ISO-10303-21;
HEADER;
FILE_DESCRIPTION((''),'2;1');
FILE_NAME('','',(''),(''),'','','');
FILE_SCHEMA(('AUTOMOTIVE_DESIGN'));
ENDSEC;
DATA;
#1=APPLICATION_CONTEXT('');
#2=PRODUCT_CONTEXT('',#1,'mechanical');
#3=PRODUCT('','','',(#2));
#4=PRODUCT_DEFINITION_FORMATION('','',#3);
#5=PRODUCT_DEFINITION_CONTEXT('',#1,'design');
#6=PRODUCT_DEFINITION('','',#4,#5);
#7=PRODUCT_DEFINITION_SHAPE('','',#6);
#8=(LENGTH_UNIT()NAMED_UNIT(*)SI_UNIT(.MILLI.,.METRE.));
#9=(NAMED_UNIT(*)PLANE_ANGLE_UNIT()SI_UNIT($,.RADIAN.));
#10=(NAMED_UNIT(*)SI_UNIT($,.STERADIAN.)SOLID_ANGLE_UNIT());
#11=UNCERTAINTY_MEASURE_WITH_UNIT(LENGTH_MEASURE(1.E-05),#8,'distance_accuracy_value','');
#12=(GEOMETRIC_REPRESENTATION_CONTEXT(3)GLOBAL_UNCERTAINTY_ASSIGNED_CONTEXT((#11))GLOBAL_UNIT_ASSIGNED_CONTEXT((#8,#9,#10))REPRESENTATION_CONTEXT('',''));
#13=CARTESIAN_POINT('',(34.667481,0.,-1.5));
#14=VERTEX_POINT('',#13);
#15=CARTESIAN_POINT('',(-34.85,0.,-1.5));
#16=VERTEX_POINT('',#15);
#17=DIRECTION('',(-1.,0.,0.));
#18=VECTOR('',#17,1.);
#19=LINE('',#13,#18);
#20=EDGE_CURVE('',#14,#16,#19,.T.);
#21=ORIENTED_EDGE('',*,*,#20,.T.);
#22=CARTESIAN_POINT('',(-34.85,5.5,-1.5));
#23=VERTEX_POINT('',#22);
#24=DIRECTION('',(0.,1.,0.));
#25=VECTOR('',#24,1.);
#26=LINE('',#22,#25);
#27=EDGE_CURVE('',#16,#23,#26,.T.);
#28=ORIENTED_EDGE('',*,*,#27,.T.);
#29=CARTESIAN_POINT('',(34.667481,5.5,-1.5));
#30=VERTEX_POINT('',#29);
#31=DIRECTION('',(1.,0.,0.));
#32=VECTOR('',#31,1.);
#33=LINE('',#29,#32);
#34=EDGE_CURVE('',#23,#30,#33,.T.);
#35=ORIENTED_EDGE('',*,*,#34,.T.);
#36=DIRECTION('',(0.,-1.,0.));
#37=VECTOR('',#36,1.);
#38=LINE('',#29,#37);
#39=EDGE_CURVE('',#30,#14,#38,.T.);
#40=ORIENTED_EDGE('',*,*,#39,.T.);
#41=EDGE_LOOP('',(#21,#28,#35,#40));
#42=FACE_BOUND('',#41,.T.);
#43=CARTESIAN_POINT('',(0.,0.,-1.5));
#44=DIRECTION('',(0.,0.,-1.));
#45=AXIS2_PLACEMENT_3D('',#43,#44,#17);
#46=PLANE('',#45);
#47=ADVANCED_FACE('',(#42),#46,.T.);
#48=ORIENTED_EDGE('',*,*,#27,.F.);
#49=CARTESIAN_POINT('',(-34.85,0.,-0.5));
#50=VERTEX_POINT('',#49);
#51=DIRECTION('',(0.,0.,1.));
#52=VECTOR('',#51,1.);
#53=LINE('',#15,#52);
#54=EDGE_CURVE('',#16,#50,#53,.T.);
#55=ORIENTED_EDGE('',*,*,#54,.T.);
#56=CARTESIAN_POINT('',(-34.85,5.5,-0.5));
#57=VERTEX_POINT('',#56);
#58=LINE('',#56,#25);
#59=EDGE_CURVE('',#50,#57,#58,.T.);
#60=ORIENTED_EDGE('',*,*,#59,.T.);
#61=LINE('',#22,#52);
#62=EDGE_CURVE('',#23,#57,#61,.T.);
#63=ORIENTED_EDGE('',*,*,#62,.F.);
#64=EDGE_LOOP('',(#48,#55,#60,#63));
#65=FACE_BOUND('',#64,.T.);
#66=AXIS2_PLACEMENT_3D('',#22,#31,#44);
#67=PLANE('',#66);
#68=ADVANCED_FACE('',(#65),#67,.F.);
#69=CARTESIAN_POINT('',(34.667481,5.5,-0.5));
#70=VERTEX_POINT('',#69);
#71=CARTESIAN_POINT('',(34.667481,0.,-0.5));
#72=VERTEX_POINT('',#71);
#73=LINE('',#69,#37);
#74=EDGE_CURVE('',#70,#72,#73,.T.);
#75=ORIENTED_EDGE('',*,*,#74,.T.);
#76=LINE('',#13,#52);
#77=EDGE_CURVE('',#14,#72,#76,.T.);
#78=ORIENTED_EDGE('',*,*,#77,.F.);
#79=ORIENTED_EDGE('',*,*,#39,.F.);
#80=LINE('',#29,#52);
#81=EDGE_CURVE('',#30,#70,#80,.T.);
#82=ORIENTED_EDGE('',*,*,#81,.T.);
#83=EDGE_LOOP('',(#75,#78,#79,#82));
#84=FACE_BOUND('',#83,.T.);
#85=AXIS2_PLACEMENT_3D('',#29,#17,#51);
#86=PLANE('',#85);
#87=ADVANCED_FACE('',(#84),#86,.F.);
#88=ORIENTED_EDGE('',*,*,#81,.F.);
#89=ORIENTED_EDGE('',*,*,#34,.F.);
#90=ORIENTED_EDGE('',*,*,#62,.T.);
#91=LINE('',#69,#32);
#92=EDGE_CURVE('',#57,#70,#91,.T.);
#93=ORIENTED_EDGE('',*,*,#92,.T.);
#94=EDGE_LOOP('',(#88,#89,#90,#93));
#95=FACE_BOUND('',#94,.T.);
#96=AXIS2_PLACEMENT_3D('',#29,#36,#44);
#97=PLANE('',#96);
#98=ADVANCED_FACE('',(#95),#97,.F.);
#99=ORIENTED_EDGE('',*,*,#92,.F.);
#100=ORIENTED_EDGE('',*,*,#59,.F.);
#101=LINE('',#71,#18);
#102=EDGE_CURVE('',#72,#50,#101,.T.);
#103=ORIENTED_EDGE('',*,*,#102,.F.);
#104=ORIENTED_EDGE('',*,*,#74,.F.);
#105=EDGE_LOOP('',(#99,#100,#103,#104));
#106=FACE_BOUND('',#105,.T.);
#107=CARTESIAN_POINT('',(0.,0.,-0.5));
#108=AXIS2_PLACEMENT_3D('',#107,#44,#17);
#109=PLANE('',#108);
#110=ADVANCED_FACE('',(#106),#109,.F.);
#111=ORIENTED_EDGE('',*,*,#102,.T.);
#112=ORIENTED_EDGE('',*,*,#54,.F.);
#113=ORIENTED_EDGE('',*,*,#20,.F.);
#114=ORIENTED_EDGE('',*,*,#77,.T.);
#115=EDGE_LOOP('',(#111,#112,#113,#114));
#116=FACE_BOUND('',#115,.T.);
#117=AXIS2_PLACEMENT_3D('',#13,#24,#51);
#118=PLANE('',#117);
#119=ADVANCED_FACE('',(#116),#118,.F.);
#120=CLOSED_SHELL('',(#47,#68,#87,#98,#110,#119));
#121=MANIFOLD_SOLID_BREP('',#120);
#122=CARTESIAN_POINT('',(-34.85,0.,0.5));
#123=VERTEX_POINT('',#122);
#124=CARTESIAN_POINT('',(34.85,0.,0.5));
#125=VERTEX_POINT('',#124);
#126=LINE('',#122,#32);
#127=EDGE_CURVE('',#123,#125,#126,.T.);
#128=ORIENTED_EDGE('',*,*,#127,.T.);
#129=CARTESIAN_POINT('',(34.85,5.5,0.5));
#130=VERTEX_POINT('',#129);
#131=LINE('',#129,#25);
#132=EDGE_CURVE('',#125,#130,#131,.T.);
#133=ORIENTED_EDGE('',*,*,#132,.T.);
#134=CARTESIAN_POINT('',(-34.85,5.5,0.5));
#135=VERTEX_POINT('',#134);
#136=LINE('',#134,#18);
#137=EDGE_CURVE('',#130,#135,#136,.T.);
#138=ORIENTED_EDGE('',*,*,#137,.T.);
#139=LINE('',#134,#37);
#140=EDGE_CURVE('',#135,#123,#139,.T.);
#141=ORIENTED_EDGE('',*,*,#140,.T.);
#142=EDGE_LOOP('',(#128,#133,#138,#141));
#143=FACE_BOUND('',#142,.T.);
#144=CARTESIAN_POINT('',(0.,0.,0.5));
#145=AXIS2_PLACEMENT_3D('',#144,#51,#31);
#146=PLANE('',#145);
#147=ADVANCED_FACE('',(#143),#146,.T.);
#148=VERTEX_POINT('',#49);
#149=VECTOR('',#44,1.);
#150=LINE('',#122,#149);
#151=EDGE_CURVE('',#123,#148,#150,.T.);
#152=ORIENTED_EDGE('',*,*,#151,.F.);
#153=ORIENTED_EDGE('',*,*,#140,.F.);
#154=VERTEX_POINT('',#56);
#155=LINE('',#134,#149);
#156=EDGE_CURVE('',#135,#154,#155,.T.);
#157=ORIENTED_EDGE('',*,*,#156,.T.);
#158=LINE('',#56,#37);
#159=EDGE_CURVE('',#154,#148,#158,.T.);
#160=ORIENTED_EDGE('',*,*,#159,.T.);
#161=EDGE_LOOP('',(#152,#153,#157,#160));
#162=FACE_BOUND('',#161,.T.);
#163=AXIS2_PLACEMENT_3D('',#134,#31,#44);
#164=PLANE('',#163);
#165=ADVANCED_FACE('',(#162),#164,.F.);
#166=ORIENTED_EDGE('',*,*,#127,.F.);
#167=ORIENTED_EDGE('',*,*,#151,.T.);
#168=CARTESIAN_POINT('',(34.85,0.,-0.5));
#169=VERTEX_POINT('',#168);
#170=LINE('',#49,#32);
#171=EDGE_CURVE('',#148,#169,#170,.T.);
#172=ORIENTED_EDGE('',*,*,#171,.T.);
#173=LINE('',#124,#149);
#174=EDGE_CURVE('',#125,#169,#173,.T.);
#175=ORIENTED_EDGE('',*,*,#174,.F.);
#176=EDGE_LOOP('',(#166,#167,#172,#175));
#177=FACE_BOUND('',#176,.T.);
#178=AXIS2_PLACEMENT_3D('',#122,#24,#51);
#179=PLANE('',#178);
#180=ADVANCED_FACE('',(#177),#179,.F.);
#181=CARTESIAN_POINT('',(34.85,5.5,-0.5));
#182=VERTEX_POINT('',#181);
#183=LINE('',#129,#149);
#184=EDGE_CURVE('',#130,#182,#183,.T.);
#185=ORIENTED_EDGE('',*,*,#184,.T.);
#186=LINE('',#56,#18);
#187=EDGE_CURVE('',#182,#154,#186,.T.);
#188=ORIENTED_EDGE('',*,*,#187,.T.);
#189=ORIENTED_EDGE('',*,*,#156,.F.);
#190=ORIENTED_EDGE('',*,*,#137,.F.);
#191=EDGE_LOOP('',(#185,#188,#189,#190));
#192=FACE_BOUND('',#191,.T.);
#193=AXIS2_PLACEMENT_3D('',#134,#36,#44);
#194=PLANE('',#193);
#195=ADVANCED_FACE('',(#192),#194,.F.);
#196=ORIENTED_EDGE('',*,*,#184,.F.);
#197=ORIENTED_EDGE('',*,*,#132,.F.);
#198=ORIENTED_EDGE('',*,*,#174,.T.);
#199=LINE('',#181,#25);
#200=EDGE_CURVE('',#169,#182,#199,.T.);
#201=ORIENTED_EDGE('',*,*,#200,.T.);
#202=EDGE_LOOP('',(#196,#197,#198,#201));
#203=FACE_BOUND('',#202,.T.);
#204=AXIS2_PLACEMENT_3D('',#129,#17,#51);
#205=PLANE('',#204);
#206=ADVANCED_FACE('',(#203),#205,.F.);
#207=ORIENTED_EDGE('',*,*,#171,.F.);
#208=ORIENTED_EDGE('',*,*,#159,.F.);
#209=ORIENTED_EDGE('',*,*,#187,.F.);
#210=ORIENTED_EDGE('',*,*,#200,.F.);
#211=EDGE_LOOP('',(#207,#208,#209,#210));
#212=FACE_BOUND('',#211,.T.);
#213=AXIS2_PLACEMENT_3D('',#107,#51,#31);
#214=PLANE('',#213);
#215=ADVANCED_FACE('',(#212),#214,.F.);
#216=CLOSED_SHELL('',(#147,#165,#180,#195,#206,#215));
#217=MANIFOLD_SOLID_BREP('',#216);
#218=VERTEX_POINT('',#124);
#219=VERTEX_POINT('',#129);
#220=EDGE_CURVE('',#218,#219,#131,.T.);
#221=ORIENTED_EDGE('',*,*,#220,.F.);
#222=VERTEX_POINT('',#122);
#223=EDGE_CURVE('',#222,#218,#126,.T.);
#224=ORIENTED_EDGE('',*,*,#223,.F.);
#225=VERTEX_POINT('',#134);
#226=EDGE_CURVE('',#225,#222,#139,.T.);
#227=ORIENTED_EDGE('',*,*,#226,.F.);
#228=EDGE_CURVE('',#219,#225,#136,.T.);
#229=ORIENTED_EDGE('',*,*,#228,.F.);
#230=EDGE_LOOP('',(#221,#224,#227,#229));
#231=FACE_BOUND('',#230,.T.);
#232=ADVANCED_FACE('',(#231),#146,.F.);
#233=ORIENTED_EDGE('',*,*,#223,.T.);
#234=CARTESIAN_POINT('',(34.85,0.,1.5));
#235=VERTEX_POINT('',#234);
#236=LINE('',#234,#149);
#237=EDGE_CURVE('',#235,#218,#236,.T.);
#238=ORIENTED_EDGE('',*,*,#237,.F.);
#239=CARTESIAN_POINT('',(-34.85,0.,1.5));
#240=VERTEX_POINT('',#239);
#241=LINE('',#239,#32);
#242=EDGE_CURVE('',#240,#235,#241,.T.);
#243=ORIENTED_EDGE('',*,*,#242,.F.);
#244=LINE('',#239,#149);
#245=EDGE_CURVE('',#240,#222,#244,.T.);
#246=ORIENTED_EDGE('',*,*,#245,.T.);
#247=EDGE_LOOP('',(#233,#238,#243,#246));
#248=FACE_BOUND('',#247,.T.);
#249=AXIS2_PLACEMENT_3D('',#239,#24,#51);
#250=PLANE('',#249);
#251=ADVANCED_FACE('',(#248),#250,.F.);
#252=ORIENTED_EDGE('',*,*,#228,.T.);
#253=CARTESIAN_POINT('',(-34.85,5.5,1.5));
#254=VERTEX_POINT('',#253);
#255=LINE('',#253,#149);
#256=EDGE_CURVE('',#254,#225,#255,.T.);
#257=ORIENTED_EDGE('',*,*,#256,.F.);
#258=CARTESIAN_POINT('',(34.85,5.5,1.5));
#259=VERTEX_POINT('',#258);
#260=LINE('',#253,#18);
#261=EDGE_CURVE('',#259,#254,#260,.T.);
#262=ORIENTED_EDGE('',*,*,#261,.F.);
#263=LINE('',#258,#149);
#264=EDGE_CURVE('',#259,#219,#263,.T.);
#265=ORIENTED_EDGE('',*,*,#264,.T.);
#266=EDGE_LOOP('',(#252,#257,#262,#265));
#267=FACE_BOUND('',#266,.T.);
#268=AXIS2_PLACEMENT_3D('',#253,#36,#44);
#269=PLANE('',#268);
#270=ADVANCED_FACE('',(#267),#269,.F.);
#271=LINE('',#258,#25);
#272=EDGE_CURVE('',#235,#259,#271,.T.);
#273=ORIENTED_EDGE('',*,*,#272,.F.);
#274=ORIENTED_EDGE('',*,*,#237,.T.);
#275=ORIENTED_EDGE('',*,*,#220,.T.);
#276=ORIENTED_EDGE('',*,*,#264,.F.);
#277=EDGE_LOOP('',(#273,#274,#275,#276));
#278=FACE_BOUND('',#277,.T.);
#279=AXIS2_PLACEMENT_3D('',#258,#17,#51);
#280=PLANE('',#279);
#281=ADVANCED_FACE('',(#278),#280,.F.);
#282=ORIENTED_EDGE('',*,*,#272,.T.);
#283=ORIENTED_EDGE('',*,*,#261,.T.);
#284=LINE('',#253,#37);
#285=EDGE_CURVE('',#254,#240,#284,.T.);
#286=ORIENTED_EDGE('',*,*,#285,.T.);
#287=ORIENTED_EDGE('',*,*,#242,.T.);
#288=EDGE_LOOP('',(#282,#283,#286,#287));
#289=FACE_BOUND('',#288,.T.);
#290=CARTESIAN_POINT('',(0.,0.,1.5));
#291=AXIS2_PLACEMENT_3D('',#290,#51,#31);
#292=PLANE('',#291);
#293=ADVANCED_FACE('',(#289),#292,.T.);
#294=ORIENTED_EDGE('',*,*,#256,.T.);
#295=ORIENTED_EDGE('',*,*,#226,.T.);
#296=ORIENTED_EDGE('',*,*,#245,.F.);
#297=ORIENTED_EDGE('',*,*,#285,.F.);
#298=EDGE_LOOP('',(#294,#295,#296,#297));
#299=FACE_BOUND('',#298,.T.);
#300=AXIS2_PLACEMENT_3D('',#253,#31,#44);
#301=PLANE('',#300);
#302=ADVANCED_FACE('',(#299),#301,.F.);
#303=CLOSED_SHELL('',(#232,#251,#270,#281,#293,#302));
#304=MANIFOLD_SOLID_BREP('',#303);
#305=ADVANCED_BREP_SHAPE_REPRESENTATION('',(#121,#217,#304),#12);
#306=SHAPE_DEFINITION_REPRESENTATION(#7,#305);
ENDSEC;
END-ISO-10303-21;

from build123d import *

# Parameters (mm, degrees)
SKETCH1_W           = 69.7
SKETCH1_H           = 5.5
BOSS_EXTRUDE1_DEPTH = 0.5
SKETCH2_W           = 69.7
SKETCH2_H           = 5.5
BOSS_EXTRUDE2_DEPTH = 1
SKETCH3_W           = 69.517480874
SKETCH3_H           = 5.5
BOSS_EXTRUDE3_DEPTH = 1


with BuildPart() as part:
    # Sketch1 → Boss-Extrude1 (new body, symmetric)
    with BuildSketch(Plane.XY):
        with Locations((0, 2.75)):
            Rectangle(SKETCH1_W, SKETCH1_H)
    extrude(amount=BOSS_EXTRUDE1_DEPTH, both=True)


with BuildPart() as body_2:
    # Sketch2 → Boss-Extrude2 (new body)
    with BuildSketch(Plane.XY.offset(0.5)):
        with Locations((0, 2.75)):
            Rectangle(SKETCH2_W, SKETCH2_H)
    extrude(amount=BOSS_EXTRUDE2_DEPTH)


with BuildPart() as body_3:
    # Sketch3 → Boss-Extrude3 (new body)
    with BuildSketch(Plane(origin=(0, 0, -0.5), x_dir=(-1, 0, 0), z_dir=(0, 0, -1))):
        with Locations((0.091259563, 2.75)):
            Rectangle(SKETCH3_W, SKETCH3_H)
    extrude(amount=BOSS_EXTRUDE3_DEPTH)


solid = Compound([part.part, body_2.part, body_3.part])
